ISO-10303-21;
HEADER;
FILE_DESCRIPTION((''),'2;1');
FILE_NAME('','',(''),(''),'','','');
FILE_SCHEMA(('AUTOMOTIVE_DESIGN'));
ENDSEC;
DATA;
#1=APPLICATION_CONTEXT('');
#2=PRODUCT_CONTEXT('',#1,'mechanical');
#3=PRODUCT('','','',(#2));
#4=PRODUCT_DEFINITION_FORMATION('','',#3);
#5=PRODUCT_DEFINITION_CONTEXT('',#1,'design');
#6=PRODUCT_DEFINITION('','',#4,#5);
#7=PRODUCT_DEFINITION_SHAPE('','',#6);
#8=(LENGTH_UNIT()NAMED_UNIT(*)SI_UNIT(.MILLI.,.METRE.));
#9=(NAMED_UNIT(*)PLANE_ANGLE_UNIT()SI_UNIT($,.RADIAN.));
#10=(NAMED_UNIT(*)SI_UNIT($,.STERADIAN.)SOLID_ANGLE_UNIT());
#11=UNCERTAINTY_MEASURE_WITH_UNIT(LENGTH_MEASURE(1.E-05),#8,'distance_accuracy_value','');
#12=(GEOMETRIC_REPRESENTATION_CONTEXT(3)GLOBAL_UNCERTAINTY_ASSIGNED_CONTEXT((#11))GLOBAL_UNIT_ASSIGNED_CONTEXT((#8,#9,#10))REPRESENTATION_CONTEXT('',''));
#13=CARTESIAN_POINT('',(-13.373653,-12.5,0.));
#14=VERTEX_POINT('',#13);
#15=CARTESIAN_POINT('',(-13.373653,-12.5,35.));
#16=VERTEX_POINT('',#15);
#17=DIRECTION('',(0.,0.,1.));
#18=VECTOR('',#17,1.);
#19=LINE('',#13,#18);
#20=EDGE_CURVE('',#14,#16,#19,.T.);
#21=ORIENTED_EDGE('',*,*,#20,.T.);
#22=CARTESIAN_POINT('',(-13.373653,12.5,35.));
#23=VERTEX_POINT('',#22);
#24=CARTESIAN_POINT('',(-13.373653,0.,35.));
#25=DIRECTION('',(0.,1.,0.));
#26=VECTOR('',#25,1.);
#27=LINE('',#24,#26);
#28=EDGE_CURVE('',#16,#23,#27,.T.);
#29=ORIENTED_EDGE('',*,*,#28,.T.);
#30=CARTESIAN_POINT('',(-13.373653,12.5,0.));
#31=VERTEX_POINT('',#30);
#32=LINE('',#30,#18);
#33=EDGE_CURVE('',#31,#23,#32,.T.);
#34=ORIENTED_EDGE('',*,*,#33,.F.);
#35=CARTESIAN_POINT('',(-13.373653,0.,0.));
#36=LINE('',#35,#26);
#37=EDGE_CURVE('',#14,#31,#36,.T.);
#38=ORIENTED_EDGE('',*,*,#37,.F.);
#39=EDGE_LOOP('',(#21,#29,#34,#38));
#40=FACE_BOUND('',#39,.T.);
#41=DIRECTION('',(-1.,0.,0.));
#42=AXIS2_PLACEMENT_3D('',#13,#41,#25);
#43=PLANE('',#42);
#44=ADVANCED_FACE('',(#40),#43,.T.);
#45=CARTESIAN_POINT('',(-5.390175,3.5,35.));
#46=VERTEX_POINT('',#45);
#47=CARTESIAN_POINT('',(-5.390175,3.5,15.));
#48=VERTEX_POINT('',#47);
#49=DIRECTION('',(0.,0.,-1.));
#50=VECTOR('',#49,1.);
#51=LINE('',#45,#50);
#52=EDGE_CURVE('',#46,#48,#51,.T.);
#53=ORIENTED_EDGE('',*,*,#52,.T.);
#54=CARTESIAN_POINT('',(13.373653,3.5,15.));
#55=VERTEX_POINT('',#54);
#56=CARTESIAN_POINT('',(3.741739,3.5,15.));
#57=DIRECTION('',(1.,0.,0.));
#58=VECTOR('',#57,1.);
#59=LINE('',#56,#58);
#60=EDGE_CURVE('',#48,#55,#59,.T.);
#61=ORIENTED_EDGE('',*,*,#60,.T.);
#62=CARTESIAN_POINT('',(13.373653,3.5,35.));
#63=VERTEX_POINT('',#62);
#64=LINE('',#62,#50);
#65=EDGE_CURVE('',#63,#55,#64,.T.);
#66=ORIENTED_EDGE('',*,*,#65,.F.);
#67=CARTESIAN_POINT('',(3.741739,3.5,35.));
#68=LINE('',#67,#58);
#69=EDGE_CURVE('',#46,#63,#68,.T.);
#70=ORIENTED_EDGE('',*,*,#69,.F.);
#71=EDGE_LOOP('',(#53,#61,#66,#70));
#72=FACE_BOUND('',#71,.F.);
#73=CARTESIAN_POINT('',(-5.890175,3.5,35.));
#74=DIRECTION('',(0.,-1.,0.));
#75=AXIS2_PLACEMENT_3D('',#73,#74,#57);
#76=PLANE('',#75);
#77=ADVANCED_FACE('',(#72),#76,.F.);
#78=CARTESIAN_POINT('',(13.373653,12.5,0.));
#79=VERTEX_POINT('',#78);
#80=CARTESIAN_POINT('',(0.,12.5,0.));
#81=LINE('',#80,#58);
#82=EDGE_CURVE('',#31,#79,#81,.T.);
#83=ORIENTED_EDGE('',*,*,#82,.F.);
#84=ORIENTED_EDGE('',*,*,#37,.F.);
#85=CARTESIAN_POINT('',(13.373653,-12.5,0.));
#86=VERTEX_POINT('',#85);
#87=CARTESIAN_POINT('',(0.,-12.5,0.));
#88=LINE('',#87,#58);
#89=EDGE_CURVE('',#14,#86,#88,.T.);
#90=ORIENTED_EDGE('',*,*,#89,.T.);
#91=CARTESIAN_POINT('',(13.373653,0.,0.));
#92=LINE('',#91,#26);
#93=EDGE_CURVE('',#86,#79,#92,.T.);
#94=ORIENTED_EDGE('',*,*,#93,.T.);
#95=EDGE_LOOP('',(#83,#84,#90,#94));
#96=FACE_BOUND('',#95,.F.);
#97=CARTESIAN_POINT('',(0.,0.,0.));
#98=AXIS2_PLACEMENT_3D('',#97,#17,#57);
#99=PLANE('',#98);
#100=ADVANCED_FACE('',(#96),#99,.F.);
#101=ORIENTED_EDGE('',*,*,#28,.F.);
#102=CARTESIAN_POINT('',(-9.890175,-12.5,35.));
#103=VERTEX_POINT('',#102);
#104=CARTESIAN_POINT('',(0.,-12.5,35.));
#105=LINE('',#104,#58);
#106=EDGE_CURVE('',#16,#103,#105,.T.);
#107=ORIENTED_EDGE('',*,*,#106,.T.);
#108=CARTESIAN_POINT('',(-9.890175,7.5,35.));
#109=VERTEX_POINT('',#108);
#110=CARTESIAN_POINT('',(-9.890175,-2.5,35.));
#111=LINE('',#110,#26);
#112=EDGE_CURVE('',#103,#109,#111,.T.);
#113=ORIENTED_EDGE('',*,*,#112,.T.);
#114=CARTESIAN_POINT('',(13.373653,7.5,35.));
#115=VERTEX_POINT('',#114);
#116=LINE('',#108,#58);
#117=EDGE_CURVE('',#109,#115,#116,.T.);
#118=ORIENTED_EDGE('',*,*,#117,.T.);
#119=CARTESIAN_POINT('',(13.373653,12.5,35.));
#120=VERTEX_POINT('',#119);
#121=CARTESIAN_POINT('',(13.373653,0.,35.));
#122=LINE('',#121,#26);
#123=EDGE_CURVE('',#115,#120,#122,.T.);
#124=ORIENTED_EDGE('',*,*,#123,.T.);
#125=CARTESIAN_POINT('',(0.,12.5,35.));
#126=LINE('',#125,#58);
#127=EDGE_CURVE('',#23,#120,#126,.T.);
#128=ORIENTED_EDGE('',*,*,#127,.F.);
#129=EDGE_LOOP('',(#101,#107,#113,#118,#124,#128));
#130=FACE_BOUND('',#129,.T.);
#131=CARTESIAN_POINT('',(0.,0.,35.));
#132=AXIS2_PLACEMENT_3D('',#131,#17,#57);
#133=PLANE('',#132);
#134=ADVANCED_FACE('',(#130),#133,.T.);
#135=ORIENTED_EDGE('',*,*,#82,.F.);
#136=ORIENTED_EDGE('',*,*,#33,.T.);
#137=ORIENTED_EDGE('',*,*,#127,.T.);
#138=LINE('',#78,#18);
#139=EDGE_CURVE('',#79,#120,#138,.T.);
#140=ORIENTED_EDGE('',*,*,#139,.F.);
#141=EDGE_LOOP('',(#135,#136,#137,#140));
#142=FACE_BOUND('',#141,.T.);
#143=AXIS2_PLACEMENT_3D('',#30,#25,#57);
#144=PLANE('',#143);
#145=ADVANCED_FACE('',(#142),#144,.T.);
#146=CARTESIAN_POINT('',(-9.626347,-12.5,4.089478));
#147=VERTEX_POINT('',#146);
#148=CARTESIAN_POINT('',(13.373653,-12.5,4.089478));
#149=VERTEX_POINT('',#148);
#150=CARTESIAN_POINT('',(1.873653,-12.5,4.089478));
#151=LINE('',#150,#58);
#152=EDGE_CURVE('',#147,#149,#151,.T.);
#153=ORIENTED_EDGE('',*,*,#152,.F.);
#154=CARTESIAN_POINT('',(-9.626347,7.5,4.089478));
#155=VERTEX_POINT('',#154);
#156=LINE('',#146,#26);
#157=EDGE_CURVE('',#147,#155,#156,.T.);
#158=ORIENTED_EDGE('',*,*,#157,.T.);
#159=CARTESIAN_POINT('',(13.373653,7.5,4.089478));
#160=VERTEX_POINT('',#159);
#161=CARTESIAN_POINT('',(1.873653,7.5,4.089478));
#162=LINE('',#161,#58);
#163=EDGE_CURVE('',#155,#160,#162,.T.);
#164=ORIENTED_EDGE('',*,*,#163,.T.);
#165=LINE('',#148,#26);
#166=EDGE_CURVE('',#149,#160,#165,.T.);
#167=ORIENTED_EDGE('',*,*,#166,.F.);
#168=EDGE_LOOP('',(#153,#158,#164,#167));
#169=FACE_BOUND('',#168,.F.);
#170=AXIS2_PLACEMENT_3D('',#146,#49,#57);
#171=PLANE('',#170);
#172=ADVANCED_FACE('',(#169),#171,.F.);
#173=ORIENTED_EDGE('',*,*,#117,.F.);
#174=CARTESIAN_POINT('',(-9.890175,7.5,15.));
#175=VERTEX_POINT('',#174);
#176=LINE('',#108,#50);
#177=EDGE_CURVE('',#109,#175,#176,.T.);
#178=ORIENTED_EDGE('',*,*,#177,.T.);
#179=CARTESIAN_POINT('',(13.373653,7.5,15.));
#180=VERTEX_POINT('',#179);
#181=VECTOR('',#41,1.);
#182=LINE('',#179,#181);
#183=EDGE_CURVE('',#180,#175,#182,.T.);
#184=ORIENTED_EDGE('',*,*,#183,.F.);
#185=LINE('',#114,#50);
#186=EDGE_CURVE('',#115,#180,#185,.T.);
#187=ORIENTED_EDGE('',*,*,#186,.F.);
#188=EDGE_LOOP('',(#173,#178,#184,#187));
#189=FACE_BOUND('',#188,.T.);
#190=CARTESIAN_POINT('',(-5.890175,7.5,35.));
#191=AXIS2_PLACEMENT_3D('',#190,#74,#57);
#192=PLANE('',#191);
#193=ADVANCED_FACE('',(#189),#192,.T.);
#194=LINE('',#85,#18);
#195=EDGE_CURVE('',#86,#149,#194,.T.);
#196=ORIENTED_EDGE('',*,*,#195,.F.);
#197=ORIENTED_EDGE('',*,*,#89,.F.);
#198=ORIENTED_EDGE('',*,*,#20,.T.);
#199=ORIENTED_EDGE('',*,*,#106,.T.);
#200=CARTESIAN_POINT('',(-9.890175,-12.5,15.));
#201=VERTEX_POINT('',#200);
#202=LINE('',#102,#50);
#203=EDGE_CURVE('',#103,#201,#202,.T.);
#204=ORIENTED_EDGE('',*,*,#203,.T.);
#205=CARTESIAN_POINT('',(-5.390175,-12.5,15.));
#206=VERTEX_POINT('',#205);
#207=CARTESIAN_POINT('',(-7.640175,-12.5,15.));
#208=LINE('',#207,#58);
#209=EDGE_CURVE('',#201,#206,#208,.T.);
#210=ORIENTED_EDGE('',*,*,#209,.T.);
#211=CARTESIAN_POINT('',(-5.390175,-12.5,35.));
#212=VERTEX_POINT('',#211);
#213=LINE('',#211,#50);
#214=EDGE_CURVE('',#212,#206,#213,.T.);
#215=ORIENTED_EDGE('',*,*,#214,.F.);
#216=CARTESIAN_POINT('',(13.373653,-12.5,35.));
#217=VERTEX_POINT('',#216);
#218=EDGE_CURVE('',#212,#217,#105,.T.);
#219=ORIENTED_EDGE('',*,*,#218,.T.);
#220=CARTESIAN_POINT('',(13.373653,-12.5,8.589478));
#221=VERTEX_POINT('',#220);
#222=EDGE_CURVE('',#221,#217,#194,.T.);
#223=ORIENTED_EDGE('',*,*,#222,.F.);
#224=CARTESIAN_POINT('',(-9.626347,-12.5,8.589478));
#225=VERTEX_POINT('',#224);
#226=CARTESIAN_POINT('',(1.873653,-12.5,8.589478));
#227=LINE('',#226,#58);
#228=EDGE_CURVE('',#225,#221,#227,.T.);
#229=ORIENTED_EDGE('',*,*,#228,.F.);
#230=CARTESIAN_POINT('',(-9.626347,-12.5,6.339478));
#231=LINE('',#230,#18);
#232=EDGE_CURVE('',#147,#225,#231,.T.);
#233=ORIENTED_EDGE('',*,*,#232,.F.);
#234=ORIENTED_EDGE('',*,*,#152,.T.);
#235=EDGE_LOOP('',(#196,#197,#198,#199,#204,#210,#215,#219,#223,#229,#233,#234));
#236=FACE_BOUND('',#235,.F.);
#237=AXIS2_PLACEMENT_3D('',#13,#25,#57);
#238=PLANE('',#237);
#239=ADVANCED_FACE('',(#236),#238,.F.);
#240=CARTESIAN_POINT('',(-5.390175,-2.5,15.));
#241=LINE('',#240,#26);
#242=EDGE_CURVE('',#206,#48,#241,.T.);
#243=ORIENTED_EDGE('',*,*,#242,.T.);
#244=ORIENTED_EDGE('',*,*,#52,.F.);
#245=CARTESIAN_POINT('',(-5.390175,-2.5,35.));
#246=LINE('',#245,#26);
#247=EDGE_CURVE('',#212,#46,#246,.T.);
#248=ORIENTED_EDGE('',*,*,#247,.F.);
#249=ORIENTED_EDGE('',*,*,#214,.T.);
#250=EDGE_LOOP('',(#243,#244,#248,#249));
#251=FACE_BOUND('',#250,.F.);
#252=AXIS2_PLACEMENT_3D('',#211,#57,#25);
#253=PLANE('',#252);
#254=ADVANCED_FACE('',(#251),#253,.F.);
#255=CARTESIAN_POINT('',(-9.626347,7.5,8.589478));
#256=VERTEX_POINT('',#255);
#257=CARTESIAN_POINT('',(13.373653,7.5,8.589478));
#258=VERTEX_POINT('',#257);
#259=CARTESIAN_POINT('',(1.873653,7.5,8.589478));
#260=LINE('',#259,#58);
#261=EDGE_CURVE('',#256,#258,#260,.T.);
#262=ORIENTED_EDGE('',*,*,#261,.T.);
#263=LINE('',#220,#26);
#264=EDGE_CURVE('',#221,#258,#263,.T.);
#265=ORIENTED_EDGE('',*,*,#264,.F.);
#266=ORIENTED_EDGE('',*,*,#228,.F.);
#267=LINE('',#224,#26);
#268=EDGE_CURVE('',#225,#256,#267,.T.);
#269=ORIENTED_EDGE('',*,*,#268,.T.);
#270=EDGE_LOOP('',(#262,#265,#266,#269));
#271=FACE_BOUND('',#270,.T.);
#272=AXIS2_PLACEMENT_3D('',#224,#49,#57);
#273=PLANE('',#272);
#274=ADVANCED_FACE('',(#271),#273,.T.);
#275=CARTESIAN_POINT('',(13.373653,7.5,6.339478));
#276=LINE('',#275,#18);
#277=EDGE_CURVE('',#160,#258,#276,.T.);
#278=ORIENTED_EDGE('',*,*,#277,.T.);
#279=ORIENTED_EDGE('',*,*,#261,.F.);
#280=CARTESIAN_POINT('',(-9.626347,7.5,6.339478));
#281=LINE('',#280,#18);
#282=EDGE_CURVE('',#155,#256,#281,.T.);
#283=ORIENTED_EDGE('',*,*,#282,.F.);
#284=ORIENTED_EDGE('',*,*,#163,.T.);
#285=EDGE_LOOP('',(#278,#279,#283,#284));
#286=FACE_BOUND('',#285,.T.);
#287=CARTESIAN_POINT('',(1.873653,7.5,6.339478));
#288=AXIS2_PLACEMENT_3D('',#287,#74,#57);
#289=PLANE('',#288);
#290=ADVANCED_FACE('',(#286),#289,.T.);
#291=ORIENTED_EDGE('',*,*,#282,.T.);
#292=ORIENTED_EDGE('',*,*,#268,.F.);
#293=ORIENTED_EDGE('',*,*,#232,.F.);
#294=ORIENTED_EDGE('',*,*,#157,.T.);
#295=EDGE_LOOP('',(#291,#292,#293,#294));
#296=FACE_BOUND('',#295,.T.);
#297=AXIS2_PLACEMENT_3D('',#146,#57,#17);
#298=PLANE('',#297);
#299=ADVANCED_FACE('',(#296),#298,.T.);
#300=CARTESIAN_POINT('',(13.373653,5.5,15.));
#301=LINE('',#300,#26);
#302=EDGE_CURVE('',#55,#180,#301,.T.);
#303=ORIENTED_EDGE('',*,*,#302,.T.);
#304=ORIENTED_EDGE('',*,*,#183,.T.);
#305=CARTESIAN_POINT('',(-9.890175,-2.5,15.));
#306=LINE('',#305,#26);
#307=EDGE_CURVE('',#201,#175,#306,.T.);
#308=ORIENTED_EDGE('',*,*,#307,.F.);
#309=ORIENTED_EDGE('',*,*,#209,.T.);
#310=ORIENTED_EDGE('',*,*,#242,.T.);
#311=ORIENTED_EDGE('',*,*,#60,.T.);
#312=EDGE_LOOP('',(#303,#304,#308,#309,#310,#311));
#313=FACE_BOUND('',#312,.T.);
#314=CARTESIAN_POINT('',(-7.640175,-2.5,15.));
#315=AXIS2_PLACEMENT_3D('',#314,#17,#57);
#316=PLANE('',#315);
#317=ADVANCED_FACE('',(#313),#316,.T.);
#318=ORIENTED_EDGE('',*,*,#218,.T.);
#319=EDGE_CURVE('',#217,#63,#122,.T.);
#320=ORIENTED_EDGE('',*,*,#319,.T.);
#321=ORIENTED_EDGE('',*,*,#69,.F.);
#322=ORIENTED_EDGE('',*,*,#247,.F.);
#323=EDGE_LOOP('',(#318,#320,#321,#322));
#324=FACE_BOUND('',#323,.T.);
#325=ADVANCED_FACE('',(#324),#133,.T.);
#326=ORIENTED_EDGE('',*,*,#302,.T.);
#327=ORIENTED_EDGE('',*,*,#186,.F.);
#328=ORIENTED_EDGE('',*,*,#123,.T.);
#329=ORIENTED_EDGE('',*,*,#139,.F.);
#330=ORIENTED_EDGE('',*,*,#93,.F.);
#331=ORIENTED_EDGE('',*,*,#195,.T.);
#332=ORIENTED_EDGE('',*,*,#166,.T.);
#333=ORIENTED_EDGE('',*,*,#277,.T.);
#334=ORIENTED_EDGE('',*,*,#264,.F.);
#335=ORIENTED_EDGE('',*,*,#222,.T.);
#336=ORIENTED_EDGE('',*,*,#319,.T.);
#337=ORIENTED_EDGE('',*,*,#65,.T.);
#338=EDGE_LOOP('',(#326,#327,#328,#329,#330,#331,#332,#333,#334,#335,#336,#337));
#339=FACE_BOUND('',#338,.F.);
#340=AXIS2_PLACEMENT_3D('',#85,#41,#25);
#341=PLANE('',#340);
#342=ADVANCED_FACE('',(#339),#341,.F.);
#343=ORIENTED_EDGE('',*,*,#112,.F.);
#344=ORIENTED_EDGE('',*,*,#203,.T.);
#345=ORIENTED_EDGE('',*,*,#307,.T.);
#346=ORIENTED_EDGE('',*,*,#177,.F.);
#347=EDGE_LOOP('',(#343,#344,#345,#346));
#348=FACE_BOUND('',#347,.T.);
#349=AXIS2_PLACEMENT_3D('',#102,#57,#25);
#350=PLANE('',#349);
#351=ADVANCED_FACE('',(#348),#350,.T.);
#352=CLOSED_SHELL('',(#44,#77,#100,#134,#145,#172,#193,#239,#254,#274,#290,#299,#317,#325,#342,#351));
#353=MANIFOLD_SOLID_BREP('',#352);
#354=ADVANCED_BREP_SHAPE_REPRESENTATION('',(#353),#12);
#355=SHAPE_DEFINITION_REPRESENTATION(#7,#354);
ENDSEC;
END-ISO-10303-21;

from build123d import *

# Parameters (mm, degrees)
F0_W     = 26.747306
F0_H     = 25
F1_DEPTH = 35
F2_W     = 4.5
F2_H     = 20
F3_DEPTH = 20
F4_W     = 19.263828
F4_H     = 4
F5_DEPTH = 20
F6_W     = 23
F6_H     = 4.5
F7_DEPTH = 20


with BuildPart() as f1:
    # F0 (on Top) → F1 (new body)
    with BuildSketch(Plane.XY):
        Rectangle(F0_W, F0_H)
    extrude(amount=F1_DEPTH)

    # F2 (on face) → F3 (cut)
    with BuildSketch(Plane.XY.offset(35)):
        with Locations((-7.640175, -2.5)):
            Rectangle(F2_W, F2_H)
    extrude(amount=-F3_DEPTH, mode=Mode.SUBTRACT)

    # F4 (on face) → F5 (cut)
    with BuildSketch(Plane.XY.offset(35)):
        with Locations((3.741739, 5.5)):
            Rectangle(F4_W, F4_H)
    extrude(amount=-F5_DEPTH, mode=Mode.SUBTRACT)

    # F6 (on face) → F7 (cut)
    with BuildSketch(Plane.XZ.offset(12.5)):
        with Locations((1.873653, 6.339478)):
            Rectangle(F6_W, F6_H)
    extrude(amount=-F7_DEPTH, mode=Mode.SUBTRACT)


solid = f1.part
